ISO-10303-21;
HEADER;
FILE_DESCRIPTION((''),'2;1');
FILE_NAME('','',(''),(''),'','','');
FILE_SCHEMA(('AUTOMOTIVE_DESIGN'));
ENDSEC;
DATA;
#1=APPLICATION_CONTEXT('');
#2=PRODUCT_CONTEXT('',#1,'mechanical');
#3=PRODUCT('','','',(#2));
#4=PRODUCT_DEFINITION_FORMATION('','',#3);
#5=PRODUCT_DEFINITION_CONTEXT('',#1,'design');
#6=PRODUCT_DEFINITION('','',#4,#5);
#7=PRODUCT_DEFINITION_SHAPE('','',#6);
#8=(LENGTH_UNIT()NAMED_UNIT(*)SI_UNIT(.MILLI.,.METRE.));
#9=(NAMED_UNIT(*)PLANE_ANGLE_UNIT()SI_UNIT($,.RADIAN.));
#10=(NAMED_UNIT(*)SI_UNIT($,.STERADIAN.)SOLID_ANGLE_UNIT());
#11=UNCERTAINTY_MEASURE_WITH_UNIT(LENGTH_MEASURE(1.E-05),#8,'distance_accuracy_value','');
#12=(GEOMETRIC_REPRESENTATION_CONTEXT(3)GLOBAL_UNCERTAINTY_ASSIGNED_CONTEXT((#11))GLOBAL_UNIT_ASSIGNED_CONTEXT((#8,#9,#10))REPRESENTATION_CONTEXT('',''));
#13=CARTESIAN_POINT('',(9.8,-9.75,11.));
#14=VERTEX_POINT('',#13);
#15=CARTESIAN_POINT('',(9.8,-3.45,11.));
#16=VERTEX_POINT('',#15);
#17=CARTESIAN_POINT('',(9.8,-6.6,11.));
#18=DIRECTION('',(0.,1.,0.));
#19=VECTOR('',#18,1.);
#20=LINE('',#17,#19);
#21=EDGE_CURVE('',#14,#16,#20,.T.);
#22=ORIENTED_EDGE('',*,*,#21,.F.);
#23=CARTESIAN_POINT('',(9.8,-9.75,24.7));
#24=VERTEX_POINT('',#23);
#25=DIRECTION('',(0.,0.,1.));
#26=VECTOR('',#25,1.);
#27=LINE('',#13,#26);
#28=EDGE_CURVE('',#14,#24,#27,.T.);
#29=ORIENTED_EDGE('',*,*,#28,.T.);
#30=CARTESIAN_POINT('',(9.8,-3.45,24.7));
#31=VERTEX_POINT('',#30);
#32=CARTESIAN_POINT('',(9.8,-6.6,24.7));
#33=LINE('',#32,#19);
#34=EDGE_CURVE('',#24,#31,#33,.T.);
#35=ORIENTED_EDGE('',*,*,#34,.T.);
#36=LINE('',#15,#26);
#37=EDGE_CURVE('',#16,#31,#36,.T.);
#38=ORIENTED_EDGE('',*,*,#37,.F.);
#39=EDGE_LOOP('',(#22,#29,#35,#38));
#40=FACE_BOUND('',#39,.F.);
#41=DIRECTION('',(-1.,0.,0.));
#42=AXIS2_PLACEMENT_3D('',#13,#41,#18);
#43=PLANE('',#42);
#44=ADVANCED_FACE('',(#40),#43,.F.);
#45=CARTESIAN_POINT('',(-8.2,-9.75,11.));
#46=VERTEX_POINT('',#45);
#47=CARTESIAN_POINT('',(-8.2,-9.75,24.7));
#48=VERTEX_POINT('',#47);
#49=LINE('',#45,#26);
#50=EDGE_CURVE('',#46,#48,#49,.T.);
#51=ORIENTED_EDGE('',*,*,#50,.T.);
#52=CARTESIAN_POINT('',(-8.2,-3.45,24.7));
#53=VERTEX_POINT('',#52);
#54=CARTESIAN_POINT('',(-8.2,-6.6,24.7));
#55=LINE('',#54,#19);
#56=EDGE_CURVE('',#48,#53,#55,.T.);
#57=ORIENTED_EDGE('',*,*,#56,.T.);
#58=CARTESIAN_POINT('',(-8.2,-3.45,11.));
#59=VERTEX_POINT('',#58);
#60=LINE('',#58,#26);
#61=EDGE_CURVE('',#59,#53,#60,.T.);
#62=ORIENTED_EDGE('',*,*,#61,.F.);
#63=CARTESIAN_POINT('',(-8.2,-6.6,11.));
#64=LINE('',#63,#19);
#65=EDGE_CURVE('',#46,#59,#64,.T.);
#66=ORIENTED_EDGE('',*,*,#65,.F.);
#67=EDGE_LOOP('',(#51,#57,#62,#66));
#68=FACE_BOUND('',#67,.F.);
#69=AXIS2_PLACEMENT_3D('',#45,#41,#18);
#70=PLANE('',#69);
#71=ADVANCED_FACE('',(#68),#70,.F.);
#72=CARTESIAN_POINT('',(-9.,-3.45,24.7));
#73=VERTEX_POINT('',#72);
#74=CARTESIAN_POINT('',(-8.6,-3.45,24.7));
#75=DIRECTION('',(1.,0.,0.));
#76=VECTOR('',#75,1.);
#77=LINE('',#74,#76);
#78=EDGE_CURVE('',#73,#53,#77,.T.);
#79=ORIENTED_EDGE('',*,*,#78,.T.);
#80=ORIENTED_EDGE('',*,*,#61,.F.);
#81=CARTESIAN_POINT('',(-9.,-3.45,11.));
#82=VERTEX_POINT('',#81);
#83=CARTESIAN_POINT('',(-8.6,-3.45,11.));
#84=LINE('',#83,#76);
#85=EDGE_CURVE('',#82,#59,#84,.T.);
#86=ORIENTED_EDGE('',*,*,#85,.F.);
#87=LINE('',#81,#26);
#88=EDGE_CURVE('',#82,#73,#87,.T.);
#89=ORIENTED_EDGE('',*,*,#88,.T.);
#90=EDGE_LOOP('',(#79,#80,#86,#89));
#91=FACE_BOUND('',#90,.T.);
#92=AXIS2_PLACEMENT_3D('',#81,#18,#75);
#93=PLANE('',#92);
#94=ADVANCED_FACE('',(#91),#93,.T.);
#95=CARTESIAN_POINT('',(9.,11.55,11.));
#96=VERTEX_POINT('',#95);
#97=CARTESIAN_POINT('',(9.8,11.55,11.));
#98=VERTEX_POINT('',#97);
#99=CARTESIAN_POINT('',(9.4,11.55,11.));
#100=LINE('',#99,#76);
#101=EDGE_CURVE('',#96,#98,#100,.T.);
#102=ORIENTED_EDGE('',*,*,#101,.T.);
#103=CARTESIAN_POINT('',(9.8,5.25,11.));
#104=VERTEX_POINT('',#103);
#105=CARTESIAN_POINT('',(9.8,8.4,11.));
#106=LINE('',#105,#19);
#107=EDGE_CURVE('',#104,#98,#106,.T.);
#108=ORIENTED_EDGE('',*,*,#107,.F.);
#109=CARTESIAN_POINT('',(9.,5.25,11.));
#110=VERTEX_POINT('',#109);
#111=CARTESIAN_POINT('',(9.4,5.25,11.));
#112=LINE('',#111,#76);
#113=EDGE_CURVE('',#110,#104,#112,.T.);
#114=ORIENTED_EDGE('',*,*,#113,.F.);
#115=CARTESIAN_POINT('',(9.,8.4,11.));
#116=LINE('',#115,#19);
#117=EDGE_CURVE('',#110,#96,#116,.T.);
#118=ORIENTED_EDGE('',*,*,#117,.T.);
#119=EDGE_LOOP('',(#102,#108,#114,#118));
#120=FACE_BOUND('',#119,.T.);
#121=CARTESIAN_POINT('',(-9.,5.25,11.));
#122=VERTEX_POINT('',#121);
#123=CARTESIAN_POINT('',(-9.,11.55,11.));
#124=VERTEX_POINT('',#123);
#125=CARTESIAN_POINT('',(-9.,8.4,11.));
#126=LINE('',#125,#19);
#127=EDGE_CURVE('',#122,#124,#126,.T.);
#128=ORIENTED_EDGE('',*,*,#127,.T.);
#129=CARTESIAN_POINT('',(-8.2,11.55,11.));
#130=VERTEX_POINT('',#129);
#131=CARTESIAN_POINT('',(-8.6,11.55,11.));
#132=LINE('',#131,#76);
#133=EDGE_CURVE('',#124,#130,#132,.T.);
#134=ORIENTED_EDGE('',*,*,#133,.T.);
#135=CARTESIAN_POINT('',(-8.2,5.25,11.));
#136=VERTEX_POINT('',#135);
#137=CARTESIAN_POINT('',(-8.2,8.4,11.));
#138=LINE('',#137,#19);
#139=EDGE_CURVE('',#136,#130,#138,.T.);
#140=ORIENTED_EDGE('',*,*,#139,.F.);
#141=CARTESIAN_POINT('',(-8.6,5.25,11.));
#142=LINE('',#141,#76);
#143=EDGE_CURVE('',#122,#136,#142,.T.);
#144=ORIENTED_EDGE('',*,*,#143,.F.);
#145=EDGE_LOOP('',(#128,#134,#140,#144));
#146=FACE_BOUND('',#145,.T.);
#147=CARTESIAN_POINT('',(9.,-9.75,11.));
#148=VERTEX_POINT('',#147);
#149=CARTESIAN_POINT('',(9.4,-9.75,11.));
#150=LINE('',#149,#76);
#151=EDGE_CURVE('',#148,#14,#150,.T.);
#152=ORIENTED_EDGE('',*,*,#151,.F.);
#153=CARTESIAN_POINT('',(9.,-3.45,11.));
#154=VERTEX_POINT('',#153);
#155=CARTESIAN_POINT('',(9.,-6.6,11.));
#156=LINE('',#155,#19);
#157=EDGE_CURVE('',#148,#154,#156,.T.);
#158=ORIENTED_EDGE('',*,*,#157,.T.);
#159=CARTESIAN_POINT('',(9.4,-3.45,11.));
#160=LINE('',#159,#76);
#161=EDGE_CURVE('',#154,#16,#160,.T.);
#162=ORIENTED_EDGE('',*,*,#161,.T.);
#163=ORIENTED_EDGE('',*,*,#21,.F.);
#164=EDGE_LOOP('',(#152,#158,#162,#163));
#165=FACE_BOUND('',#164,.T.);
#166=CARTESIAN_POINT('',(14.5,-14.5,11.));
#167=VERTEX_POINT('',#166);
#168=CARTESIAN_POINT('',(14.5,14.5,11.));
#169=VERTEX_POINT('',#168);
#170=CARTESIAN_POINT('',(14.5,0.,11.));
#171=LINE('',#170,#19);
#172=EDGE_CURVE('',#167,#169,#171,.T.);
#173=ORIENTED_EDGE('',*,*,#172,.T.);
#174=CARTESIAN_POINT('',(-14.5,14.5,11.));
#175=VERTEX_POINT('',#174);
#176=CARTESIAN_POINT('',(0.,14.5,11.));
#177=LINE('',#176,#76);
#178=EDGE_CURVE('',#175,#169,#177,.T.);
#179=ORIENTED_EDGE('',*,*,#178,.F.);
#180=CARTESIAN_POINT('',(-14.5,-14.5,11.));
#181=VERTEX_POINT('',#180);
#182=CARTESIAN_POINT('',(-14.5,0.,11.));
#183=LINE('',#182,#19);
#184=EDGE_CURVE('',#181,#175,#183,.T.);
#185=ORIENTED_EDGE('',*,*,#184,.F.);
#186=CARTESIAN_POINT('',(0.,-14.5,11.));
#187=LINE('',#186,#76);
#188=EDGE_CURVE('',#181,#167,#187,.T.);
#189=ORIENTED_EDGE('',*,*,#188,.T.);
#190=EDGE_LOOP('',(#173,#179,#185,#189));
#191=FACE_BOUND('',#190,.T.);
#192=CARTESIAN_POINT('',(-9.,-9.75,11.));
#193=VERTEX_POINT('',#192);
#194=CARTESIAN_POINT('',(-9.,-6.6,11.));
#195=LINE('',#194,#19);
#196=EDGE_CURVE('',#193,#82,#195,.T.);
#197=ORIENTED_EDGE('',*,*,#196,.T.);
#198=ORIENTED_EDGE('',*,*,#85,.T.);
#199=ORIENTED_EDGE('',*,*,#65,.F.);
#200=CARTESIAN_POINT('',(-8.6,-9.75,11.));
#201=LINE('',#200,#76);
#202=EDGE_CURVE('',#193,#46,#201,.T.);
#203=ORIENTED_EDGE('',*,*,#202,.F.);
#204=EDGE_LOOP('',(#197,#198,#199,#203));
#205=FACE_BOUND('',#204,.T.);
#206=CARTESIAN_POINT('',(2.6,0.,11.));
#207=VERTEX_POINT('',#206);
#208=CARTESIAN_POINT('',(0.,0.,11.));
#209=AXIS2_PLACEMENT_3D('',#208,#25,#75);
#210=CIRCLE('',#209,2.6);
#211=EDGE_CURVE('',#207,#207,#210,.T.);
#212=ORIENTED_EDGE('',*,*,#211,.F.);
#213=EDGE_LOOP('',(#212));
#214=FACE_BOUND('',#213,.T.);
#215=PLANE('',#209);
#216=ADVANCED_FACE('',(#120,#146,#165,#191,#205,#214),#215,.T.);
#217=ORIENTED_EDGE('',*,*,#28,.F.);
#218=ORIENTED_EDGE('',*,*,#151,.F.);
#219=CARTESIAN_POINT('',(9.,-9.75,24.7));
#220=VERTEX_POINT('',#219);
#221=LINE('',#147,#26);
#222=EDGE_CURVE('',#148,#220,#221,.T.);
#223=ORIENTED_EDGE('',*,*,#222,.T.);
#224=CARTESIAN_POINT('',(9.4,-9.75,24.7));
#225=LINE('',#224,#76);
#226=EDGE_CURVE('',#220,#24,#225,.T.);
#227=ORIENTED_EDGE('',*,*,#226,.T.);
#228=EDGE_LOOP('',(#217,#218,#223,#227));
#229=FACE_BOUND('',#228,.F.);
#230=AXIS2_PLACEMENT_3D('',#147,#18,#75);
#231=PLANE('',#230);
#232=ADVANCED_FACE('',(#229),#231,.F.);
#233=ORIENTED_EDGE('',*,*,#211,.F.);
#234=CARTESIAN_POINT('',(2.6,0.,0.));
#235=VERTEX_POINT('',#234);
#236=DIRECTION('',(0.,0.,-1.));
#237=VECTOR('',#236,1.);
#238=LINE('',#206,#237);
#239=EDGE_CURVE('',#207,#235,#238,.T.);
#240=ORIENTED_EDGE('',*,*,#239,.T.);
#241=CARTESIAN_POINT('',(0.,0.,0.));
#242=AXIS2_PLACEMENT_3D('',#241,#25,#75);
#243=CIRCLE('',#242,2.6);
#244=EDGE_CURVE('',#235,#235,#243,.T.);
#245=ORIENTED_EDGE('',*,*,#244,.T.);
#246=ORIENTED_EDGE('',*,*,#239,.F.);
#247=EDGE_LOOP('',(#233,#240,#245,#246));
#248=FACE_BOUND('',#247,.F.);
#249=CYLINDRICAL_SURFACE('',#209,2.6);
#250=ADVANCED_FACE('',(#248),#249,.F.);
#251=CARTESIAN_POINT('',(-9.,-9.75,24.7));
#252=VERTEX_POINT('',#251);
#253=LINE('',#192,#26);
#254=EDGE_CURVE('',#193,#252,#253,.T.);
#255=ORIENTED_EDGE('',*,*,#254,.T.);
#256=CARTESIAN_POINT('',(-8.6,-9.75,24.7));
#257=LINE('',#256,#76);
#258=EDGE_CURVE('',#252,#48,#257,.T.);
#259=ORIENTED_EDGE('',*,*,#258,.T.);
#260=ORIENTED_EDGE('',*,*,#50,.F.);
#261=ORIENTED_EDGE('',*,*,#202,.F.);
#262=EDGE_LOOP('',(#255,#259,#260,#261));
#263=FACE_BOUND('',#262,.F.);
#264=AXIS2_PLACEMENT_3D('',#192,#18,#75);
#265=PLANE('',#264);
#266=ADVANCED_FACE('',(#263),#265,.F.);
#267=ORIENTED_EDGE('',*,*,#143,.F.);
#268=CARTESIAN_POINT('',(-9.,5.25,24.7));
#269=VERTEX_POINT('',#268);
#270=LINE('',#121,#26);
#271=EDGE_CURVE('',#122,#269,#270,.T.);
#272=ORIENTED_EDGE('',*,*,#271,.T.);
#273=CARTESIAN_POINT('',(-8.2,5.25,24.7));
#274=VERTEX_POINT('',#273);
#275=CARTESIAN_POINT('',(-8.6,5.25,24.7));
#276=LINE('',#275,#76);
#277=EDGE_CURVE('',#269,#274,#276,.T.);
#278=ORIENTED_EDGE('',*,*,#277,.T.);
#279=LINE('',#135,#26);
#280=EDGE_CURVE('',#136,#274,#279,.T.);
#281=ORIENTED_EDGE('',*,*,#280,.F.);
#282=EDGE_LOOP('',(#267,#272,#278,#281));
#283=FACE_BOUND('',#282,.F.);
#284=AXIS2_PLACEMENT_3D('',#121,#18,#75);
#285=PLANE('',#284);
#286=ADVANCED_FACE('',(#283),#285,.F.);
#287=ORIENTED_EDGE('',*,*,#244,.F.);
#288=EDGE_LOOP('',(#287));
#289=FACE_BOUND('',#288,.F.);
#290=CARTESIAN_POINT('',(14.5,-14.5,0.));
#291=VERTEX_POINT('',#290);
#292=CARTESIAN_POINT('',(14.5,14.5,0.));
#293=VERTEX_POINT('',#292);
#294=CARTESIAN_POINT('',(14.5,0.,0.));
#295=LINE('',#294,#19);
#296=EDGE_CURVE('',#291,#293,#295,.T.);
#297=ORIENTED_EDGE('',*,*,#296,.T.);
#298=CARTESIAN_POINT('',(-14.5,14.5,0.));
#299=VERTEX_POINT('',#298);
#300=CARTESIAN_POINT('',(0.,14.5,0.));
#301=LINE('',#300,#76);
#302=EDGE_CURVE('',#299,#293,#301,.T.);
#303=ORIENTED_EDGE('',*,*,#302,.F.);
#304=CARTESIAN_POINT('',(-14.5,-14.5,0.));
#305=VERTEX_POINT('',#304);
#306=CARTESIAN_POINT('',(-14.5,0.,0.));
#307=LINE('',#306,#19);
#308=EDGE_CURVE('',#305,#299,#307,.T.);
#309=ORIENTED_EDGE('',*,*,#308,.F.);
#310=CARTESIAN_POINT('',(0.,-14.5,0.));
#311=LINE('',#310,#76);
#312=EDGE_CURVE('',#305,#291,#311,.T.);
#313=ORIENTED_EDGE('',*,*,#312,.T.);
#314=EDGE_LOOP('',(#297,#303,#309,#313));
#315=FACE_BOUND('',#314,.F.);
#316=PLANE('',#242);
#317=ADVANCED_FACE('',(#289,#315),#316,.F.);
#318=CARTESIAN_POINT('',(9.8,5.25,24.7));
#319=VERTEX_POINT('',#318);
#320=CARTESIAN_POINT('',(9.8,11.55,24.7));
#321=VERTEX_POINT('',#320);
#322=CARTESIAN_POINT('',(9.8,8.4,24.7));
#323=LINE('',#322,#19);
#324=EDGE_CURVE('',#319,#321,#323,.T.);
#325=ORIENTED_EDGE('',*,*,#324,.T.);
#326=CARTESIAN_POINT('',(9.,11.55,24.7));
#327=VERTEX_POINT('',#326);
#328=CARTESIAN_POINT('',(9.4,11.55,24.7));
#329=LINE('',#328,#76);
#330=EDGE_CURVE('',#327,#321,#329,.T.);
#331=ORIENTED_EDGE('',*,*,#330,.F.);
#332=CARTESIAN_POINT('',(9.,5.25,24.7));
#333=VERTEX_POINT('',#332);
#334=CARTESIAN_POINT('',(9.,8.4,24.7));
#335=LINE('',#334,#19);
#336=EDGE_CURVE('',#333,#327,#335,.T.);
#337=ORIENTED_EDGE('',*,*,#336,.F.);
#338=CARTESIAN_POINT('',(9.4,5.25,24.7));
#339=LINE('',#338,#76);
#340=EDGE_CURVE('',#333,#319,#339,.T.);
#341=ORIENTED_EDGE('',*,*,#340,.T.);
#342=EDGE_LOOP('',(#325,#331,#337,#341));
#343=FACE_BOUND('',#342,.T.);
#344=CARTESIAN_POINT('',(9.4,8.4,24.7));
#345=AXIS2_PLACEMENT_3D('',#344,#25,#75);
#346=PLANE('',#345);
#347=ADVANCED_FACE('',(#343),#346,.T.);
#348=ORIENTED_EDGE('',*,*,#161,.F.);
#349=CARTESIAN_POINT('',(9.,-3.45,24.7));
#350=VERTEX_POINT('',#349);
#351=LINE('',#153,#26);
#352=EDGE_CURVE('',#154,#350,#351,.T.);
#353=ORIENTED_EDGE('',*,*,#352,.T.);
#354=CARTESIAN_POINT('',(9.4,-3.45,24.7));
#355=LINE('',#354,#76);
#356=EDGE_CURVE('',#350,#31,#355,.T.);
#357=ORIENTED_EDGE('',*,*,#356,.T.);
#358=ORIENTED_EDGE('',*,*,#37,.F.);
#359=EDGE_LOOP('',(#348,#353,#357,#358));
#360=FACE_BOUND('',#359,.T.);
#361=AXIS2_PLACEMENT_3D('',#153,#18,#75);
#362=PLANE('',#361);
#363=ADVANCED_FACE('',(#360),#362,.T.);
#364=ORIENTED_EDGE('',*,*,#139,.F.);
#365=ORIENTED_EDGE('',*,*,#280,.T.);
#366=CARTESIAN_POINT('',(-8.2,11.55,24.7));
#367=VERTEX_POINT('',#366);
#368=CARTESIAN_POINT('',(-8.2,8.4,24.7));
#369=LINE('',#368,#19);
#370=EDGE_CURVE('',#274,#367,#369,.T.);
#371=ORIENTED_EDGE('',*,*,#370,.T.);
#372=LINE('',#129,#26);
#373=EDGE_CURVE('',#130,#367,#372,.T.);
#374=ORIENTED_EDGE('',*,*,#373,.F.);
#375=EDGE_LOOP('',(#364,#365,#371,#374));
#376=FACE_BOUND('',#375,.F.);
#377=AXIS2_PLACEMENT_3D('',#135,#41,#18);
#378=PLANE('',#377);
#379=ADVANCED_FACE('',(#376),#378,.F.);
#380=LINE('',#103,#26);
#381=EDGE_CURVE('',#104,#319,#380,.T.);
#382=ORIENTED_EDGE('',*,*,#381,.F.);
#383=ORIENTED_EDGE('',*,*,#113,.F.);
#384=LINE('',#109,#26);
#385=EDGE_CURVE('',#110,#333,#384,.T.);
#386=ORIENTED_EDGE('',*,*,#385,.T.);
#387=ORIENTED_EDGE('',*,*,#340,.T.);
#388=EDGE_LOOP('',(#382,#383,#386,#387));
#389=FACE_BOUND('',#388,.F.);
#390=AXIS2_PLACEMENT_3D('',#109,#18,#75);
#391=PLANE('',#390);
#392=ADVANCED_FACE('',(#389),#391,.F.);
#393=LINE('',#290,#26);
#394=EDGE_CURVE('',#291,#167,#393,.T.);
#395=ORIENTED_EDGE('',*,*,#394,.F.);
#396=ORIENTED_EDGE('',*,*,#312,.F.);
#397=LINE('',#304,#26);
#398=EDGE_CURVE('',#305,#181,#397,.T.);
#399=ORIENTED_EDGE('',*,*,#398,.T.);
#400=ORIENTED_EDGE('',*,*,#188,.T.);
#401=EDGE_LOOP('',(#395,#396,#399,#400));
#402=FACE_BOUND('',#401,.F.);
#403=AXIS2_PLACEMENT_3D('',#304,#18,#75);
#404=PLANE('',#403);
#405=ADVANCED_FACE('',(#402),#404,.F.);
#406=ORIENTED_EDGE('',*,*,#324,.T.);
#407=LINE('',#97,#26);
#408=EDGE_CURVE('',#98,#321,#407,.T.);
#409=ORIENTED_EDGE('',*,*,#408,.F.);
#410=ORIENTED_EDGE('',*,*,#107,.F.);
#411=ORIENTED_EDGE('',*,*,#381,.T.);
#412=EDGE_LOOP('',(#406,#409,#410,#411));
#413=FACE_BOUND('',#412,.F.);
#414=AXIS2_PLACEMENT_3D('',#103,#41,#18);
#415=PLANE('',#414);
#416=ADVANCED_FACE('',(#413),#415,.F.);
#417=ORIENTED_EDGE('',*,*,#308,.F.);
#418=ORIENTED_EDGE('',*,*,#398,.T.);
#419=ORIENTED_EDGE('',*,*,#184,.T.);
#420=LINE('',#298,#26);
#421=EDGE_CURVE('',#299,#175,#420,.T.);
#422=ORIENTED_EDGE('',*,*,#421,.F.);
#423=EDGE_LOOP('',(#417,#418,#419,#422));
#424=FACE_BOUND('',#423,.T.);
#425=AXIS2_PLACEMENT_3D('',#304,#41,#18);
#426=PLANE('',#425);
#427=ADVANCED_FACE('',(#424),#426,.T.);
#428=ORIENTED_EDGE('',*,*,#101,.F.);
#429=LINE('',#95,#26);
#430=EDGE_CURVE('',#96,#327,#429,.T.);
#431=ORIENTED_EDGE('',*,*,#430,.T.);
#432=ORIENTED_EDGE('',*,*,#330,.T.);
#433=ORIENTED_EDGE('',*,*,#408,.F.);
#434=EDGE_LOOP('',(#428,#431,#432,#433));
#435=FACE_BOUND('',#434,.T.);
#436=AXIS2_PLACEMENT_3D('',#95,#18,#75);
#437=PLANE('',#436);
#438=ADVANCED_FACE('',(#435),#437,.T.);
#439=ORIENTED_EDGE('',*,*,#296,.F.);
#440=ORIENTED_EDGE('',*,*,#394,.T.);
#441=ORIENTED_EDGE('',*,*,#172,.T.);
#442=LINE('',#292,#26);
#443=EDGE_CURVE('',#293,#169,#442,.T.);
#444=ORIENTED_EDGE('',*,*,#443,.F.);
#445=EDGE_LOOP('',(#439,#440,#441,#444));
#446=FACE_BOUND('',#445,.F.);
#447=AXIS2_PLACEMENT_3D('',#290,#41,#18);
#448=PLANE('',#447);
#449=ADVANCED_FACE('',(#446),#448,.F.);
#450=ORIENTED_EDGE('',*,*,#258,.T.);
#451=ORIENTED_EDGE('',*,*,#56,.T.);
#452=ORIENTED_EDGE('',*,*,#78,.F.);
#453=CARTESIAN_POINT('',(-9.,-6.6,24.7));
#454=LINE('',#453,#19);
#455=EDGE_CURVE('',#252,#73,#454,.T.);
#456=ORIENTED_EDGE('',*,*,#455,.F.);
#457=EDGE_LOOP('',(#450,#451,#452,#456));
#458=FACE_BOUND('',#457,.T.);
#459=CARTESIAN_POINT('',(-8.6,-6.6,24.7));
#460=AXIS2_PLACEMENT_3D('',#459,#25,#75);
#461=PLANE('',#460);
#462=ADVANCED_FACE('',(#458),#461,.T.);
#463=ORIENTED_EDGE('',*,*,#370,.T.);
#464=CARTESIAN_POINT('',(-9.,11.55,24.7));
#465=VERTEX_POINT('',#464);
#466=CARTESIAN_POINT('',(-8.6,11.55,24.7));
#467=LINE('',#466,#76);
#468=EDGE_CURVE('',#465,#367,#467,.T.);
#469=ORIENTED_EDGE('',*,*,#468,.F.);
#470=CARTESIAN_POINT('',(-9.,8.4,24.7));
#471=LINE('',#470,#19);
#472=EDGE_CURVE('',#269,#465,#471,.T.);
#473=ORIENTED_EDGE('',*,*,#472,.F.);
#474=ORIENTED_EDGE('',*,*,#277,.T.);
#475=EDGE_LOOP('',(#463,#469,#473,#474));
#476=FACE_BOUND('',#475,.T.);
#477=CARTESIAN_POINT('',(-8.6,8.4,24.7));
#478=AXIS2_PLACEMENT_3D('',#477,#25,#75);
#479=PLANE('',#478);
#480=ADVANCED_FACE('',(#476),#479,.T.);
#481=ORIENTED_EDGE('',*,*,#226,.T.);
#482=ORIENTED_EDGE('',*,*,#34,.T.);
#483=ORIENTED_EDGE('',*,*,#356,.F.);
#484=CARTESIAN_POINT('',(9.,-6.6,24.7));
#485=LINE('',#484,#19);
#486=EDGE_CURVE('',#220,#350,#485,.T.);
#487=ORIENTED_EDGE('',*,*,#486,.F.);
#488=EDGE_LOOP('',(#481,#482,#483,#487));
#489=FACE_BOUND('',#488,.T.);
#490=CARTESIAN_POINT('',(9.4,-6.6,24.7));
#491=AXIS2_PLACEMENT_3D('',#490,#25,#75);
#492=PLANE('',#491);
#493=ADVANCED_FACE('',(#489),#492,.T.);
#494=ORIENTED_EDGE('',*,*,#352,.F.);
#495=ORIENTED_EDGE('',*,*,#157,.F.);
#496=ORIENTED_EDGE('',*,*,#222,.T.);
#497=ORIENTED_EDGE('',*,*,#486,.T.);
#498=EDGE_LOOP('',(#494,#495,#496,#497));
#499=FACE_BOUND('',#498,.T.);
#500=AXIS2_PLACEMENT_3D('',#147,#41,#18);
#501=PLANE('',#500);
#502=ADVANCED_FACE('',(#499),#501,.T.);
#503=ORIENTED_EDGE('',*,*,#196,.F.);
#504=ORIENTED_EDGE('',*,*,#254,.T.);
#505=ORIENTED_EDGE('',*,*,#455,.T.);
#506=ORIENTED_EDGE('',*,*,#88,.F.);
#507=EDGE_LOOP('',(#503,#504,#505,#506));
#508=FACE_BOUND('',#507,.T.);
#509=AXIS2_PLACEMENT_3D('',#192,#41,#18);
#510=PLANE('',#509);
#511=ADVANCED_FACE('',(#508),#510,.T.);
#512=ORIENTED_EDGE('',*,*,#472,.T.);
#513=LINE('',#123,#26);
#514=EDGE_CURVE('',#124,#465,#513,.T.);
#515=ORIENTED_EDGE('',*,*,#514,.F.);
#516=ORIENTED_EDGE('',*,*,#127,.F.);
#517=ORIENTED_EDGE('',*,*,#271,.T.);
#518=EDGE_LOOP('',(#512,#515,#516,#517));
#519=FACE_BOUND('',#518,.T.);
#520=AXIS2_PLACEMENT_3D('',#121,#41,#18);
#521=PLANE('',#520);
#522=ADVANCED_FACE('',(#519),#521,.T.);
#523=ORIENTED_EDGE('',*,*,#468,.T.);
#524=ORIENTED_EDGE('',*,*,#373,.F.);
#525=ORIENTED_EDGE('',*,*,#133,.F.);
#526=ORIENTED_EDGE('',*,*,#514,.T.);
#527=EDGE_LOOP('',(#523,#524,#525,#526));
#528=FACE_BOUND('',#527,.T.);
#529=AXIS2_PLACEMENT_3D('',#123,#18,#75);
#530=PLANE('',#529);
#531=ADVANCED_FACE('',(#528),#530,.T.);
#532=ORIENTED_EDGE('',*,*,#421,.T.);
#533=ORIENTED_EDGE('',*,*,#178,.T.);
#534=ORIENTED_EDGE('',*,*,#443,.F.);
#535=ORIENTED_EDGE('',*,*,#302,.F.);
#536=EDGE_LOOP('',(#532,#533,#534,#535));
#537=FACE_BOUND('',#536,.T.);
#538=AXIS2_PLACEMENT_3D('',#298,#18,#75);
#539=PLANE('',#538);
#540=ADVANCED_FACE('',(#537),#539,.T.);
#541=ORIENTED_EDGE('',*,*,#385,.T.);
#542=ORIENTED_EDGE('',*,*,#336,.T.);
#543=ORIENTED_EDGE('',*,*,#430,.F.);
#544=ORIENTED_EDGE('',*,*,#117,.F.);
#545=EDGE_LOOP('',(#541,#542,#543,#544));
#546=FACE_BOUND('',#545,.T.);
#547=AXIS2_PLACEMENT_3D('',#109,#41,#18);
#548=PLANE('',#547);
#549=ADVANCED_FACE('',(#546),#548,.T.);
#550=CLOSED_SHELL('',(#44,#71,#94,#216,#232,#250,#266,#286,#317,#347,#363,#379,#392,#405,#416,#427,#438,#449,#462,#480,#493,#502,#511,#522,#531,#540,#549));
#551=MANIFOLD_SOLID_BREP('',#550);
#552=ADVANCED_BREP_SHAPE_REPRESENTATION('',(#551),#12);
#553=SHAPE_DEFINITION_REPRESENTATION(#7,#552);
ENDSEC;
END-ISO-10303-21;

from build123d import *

# Parameters (mm, degrees)
F0_W     = 29
F0_H     = 29
F1_DEPTH = 11
F2_R     = 2.6
F3_DEPTH = 11.001
F4_W     = 0.8
F4_H     = 6.3
F5_DEPTH = 13.7


with BuildPart() as f1:
    # F0 (on Top) → F1 (new body)
    with BuildSketch(Plane.XY):
        Rectangle(F0_W, F0_H)
    extrude(amount=F1_DEPTH)

    # F2 (on face) → F3 (cut, through all)
    with BuildSketch(Plane.XY.offset(11)):
        Circle(F2_R)
    extrude(amount=-F3_DEPTH, mode=Mode.SUBTRACT)

    # F4 (on face) → F5 (join)
    with BuildSketch(Plane.XY.offset(11)):
        with Locations((9.4, 8.4)):
            Rectangle(F4_W, F4_H)
        with Locations((9.4, -6.6)):
            Rectangle(F4_W, F4_H)
        with Locations((-8.6, 8.4)):
            Rectangle(F4_W, F4_H)
        with Locations((-8.6, -6.6)):
            Rectangle(F4_W, F4_H)
    extrude(amount=F5_DEPTH)


solid = f1.part
